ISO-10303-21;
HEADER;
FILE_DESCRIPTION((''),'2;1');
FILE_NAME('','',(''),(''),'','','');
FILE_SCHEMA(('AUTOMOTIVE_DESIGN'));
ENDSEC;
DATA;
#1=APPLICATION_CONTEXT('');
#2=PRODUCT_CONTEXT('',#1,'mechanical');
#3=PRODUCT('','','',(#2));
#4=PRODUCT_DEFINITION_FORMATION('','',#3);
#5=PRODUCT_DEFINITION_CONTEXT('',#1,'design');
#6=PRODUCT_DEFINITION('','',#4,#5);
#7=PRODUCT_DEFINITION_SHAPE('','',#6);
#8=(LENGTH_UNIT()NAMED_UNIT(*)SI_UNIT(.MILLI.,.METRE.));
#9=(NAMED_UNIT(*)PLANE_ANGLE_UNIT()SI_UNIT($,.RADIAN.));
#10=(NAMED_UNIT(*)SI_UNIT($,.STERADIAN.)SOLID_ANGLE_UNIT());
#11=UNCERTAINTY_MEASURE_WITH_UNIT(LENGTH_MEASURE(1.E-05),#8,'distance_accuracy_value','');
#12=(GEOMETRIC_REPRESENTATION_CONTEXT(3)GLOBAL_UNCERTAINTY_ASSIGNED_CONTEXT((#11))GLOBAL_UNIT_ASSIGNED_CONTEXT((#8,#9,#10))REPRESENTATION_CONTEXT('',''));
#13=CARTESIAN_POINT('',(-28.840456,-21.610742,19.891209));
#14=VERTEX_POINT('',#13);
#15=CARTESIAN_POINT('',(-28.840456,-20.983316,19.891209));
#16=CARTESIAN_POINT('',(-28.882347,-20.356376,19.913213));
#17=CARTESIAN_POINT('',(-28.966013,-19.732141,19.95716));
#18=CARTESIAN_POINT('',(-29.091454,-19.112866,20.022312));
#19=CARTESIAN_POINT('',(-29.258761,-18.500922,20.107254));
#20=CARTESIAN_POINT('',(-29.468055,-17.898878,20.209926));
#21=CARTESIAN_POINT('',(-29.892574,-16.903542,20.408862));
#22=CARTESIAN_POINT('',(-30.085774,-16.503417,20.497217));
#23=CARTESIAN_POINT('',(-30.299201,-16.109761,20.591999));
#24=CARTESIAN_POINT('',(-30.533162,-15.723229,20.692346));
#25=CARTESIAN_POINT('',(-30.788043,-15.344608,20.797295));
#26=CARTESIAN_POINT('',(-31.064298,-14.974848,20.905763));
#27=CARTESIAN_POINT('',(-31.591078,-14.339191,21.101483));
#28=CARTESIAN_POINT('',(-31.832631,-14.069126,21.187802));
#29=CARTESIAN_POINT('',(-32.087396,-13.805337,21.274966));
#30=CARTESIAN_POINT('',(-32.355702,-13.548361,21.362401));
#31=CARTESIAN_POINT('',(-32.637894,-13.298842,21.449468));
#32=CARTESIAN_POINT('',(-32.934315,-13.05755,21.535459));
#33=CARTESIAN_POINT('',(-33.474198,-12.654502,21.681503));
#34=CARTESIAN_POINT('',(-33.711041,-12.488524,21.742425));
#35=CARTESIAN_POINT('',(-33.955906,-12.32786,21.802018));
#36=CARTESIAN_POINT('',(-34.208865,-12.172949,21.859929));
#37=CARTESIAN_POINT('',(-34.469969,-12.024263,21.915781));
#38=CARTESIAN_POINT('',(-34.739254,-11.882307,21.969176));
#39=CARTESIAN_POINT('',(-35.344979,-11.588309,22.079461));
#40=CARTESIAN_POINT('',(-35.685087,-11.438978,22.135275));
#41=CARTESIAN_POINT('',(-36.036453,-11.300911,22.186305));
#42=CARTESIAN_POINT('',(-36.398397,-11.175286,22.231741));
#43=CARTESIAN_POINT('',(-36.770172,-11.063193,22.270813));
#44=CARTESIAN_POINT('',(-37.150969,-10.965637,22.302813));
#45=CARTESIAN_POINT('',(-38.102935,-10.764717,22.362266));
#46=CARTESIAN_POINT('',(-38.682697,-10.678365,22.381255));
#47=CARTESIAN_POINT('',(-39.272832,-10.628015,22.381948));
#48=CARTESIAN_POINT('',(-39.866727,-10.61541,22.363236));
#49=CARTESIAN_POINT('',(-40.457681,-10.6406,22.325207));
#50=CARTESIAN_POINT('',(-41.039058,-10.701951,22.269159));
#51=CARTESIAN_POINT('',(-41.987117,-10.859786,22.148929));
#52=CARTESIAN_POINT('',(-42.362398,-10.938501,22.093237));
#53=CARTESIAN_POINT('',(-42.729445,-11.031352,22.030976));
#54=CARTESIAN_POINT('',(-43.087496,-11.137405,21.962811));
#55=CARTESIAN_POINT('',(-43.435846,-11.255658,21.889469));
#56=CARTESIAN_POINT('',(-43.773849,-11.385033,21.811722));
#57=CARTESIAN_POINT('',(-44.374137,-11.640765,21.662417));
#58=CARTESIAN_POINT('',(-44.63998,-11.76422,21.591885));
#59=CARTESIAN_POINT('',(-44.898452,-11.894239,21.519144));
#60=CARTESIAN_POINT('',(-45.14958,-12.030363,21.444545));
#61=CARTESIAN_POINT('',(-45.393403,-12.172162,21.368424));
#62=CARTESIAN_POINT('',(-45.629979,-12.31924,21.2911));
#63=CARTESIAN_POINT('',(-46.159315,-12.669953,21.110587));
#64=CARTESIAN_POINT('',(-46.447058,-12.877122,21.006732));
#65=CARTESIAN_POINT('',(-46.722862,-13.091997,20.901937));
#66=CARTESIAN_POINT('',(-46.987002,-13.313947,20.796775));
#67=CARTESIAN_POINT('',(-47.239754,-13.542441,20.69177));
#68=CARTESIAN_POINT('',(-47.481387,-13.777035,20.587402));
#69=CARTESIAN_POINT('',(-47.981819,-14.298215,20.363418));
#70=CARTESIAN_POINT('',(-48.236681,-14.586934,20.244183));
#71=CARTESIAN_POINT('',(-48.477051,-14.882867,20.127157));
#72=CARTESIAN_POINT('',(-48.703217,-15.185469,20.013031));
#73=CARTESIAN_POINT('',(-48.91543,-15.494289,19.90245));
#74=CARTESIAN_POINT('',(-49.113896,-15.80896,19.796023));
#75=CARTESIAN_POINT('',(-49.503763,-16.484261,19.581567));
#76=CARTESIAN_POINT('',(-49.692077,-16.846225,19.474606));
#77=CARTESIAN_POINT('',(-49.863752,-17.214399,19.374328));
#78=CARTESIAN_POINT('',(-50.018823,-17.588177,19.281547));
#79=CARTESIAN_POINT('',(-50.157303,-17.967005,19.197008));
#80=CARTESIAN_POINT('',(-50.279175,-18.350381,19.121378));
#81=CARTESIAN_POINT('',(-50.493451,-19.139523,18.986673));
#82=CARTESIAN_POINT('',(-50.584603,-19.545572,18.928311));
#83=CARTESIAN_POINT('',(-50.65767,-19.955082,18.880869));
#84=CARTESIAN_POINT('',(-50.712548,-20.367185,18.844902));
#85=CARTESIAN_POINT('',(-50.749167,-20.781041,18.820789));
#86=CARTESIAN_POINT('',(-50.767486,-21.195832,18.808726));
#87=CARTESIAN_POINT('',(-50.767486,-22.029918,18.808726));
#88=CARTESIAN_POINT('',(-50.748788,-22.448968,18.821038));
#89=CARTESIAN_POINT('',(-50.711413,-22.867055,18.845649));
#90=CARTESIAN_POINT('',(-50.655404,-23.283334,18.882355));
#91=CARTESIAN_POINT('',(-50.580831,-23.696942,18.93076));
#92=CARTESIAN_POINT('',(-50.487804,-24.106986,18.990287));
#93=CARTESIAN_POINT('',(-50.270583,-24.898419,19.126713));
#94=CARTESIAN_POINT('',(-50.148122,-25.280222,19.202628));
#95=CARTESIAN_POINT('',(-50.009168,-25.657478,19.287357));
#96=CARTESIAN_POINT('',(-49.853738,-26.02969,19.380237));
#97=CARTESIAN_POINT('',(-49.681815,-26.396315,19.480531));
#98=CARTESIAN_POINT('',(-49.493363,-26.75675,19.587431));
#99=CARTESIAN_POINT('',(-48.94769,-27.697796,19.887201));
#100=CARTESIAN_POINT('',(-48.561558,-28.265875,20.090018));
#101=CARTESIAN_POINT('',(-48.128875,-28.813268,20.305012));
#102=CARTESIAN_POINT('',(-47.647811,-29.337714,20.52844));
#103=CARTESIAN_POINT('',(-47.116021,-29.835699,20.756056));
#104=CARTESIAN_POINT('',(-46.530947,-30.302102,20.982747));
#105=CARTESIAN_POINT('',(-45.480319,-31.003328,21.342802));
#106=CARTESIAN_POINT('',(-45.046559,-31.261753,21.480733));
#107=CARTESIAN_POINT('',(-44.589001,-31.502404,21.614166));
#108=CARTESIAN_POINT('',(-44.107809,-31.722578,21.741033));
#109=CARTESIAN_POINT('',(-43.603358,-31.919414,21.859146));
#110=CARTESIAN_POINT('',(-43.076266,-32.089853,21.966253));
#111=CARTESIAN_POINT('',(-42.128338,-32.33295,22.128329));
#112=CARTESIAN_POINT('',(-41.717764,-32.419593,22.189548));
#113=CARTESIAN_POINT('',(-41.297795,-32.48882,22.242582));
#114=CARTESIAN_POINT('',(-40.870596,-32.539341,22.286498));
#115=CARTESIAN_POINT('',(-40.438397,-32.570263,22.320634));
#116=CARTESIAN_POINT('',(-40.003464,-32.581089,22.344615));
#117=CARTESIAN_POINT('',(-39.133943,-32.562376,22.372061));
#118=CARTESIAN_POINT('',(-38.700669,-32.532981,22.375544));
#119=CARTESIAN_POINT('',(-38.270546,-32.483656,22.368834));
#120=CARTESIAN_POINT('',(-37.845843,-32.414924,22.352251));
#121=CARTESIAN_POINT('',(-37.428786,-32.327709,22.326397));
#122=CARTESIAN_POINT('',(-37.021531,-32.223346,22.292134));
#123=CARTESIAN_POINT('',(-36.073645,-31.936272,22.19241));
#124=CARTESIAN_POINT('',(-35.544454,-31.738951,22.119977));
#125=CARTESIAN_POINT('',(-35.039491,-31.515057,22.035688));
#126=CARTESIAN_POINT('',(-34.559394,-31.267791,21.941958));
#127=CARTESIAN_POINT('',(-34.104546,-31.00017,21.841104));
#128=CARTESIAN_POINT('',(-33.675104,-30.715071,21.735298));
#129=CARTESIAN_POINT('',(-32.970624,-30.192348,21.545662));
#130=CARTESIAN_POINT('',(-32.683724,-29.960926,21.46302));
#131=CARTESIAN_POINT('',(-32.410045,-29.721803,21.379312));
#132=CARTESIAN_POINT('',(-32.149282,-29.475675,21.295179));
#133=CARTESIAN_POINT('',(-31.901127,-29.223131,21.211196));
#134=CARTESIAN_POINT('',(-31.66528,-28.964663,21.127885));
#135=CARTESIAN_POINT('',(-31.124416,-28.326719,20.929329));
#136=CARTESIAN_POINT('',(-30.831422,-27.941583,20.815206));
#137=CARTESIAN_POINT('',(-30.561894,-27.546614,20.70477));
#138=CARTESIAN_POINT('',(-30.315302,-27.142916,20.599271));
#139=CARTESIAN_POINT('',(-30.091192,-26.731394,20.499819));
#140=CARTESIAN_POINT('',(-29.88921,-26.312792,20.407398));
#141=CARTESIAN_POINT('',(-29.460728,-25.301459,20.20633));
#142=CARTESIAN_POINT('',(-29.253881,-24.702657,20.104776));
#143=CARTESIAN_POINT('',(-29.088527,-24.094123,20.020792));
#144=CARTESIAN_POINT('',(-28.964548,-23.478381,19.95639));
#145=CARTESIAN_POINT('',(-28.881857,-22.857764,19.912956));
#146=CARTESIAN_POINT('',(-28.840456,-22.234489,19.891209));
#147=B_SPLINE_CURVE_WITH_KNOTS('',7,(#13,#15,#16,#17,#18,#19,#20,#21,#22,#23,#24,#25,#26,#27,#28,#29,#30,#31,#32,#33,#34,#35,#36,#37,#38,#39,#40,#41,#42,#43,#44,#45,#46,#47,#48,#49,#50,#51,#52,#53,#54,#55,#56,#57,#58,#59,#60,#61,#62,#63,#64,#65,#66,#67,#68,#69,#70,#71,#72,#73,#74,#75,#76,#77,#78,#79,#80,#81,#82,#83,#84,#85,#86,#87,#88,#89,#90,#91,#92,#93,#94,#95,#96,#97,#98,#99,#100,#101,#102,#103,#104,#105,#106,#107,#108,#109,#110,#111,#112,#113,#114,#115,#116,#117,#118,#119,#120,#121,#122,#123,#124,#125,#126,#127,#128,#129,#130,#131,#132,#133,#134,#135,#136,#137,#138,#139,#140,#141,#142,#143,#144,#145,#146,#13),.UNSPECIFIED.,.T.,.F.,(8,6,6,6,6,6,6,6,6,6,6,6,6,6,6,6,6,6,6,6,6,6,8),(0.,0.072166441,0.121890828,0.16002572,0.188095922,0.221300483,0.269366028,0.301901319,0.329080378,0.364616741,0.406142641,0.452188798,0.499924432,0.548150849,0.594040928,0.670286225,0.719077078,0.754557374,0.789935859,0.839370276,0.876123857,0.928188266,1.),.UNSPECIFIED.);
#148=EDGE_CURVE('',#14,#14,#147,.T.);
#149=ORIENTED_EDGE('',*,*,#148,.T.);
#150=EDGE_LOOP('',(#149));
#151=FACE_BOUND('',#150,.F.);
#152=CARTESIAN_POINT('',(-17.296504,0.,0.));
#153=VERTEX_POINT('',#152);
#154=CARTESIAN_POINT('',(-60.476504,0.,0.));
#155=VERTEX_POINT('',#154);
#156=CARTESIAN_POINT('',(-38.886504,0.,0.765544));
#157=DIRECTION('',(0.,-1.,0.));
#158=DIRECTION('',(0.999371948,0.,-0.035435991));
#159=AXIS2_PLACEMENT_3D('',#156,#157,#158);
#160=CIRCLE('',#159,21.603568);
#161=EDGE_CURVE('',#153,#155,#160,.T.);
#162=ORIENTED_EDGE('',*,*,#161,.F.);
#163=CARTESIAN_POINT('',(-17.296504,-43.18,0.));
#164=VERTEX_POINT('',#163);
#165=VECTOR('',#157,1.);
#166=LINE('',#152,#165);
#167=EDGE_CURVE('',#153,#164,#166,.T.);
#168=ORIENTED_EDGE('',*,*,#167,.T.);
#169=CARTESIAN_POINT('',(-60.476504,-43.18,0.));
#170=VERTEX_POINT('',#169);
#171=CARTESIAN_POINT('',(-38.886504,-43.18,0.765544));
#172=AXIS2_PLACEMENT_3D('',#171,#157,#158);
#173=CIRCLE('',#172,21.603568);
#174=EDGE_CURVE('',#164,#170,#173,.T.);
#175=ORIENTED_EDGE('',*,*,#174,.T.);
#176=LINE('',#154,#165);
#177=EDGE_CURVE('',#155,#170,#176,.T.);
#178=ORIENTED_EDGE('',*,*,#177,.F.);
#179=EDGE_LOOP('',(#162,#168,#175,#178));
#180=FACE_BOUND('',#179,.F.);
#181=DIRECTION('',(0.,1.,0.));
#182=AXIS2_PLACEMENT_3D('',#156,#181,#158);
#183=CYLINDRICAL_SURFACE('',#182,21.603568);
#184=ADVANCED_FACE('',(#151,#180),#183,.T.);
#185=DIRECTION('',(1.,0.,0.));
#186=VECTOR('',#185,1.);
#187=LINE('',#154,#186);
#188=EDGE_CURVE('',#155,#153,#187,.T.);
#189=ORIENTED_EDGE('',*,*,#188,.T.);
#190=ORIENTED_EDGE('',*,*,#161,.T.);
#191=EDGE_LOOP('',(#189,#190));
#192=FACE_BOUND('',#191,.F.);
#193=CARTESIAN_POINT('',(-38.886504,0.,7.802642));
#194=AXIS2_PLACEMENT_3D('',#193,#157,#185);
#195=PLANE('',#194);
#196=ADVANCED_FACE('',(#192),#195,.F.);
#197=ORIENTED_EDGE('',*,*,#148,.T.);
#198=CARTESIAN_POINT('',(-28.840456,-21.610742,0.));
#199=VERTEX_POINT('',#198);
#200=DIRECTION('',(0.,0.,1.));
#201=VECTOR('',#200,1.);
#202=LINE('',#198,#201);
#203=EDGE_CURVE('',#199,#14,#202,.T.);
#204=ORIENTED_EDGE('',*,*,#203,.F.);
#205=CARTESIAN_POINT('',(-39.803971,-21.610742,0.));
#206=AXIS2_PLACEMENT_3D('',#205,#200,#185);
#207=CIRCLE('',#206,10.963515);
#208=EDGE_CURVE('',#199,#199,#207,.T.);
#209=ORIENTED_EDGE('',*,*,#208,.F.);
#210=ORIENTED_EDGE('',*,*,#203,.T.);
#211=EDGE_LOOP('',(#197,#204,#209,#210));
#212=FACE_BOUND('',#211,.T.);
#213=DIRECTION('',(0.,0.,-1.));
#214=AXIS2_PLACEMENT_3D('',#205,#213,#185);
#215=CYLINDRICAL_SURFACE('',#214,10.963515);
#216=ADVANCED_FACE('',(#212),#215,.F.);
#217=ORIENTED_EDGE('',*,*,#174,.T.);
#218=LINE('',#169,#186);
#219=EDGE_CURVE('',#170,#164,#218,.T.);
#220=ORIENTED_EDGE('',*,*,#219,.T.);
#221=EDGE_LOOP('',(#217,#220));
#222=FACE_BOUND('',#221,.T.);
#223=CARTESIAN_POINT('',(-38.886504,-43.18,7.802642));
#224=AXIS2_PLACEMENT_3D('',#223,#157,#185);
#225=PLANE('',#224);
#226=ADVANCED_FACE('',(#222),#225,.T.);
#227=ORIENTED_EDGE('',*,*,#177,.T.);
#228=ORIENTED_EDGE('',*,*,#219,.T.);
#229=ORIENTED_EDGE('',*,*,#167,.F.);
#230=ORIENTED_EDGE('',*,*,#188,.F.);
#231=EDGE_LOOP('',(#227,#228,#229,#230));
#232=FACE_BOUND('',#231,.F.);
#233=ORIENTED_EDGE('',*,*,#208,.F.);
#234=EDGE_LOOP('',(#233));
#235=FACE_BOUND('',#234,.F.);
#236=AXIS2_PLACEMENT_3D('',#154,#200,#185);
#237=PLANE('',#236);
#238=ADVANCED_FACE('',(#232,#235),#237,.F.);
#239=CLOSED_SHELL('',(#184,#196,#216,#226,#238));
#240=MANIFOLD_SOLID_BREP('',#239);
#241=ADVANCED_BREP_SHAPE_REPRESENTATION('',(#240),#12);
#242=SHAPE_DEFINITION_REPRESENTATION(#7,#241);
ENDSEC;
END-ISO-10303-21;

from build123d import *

# Parameters (mm, degrees)
F1_DEPTH = 43.18
F2_R     = 10.963515
F3_DEPTH = 22.370112


with BuildPart() as f1:
    # F0 (on Front) → F1 (new body)
    with BuildSketch(Plane.XZ):
        with BuildLine():
            ThreePointArc((-17.296504, 0), (-38.886504, 22.369112), (-60.476504, 0))
            Line((-60.476504, 0), (-17.296504, 0))
        make_face()
    extrude(amount=F1_DEPTH)

    # F2 (on Top) → F3 (cut, through all)
    with BuildSketch(Plane.XY):
        with Locations((-39.803971, -21.610742)):
            Circle(F2_R)
    extrude(amount=F3_DEPTH, mode=Mode.SUBTRACT)


solid = f1.part
